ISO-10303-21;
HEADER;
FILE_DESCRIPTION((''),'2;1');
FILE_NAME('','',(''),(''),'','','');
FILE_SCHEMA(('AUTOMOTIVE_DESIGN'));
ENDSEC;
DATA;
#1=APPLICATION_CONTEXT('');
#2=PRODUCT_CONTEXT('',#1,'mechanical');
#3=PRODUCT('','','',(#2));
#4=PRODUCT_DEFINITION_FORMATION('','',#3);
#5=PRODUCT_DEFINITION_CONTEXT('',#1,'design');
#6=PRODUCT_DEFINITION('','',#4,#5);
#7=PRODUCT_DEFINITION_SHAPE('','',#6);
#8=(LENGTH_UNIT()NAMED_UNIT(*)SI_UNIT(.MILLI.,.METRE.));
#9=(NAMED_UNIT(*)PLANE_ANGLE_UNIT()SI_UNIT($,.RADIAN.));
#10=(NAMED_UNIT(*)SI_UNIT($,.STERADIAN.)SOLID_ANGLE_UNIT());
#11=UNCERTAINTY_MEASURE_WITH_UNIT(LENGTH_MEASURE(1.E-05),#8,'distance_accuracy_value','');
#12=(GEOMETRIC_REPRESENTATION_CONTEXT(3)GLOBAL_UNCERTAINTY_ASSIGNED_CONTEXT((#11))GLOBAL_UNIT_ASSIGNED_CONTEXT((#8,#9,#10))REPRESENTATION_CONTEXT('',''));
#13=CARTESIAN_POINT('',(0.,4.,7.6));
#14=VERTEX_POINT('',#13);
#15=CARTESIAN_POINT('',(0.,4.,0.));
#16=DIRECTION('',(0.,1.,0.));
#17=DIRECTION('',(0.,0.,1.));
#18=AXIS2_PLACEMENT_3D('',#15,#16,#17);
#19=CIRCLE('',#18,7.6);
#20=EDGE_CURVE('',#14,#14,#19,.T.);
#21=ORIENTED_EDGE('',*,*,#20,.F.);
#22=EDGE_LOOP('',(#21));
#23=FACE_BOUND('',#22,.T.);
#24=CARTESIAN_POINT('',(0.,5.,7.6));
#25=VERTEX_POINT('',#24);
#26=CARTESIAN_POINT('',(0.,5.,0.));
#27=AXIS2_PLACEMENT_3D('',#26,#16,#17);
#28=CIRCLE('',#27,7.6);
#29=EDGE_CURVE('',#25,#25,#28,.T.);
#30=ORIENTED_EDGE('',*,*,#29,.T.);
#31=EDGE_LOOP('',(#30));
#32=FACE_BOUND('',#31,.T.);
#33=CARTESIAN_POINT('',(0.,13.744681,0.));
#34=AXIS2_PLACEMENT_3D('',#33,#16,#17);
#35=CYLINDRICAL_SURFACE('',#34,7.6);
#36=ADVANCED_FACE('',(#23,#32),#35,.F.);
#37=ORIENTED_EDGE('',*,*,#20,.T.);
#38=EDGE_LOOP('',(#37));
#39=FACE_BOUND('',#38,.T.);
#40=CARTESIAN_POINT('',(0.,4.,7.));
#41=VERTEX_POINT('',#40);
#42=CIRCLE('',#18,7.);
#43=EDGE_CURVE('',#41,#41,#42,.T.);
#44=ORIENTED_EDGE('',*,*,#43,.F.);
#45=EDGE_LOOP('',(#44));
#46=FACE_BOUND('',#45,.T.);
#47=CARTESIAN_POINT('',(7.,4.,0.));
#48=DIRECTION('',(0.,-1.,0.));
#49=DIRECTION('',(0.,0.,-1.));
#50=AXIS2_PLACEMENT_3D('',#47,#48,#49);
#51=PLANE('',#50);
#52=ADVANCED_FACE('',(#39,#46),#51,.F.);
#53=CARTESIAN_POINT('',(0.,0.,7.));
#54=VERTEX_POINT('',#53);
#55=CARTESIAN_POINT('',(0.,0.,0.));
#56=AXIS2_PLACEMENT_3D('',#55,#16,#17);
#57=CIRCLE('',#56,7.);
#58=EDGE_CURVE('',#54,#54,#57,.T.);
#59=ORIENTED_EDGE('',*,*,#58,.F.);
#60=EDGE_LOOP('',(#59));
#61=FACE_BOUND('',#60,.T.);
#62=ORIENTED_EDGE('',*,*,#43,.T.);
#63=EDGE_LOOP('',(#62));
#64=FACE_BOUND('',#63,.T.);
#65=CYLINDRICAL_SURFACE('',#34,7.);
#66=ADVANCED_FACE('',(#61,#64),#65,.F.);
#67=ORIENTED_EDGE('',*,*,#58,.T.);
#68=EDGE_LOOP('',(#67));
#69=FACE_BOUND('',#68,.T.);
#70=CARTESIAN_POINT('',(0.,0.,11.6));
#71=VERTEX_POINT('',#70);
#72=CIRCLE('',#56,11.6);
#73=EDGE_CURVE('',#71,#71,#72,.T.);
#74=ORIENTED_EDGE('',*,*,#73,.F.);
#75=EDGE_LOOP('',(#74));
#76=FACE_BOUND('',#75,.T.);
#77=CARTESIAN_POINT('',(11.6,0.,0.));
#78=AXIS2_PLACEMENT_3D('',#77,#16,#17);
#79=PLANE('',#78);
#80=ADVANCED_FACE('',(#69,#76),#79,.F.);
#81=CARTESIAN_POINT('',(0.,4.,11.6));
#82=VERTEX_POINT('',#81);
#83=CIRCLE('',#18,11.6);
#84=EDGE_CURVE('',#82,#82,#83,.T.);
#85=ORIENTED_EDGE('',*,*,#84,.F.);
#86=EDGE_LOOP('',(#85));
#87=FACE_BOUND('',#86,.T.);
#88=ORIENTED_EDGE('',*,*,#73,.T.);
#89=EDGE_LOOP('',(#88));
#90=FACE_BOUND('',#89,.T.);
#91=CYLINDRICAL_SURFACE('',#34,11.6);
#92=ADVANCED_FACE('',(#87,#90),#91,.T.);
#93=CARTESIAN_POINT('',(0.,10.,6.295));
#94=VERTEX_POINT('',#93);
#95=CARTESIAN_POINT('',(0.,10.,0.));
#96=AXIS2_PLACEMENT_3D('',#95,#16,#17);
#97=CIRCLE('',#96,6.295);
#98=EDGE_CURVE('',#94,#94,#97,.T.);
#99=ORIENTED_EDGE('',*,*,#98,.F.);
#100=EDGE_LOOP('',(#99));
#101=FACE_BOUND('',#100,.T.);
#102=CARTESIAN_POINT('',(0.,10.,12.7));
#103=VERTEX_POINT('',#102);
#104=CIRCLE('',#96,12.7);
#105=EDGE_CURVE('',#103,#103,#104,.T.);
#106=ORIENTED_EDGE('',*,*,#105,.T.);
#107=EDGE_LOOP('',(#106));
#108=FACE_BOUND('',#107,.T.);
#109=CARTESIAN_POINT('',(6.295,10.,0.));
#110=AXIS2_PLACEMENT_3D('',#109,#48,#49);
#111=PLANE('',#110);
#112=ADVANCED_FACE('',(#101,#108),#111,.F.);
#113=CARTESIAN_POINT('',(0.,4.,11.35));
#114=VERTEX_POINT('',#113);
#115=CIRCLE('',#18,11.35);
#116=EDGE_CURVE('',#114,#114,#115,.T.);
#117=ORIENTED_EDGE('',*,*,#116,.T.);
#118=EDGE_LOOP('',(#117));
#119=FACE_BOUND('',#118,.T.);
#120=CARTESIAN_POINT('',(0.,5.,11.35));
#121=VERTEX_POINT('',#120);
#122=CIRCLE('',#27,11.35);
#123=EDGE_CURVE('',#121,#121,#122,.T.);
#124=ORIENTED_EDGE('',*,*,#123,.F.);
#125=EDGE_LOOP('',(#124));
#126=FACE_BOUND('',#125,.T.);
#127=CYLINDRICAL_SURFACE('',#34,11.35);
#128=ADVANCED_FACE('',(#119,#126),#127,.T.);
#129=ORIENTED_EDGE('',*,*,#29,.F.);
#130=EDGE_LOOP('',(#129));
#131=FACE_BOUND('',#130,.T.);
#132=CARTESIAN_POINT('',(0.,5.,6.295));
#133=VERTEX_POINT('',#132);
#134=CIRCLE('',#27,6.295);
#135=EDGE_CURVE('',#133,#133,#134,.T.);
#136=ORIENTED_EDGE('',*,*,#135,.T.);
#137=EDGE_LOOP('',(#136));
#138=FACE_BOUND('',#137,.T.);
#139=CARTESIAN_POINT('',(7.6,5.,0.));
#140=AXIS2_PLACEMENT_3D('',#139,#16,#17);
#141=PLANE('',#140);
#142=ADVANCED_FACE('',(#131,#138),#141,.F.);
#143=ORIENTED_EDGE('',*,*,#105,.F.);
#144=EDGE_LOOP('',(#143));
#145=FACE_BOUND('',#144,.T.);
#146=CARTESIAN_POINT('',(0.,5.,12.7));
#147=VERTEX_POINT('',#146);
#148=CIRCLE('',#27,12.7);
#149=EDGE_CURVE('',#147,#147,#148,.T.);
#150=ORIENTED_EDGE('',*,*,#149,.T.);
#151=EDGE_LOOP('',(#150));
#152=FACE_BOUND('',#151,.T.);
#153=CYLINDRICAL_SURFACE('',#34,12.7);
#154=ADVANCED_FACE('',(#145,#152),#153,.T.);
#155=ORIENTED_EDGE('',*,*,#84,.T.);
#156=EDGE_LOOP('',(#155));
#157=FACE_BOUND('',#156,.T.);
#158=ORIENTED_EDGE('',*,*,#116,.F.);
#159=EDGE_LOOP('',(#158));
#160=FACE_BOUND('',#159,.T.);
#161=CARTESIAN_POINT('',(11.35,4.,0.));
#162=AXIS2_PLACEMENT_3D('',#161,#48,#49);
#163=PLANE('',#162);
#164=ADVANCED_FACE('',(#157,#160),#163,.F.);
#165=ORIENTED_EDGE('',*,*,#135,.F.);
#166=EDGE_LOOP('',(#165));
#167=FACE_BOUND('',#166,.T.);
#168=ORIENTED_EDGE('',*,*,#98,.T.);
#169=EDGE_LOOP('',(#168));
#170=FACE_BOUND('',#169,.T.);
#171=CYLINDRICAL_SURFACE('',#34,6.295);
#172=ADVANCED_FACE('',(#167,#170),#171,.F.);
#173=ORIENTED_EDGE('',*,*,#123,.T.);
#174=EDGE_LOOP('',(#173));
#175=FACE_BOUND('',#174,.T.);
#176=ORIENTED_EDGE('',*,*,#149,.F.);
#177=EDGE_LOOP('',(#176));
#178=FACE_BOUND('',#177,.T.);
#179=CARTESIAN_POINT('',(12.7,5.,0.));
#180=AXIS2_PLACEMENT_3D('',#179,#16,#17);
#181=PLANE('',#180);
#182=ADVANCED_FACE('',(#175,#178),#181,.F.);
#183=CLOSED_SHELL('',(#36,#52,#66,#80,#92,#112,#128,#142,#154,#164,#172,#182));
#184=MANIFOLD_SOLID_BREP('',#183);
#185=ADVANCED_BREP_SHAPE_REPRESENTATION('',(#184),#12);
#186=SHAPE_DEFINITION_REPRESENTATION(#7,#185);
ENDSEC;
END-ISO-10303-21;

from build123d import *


with BuildPart() as part:
    # 草图1 → 旋转1 (revolve)
    with BuildSketch(Plane.XY, mode=Mode.PRIVATE) as revolve_1_sk:
        Polygon((11.6, 0), (7, 0), (7, 4), (7.6, 4), (7.6, 5), (6.295, 5), (6.295, 10), (12.7, 10), (12.7, 5), (11.35, 5), (11.35, 4), (11.6, 4), align=None)
    revolve(revolve_1_sk.sketch.rotate(Axis((0, 13.744680851, 0), (0, -1, 0)), 90), axis=Axis((0, 13.744680851, 0), (0, -1, 0)))  # turned: the seam where the file's is


solid = part.part
